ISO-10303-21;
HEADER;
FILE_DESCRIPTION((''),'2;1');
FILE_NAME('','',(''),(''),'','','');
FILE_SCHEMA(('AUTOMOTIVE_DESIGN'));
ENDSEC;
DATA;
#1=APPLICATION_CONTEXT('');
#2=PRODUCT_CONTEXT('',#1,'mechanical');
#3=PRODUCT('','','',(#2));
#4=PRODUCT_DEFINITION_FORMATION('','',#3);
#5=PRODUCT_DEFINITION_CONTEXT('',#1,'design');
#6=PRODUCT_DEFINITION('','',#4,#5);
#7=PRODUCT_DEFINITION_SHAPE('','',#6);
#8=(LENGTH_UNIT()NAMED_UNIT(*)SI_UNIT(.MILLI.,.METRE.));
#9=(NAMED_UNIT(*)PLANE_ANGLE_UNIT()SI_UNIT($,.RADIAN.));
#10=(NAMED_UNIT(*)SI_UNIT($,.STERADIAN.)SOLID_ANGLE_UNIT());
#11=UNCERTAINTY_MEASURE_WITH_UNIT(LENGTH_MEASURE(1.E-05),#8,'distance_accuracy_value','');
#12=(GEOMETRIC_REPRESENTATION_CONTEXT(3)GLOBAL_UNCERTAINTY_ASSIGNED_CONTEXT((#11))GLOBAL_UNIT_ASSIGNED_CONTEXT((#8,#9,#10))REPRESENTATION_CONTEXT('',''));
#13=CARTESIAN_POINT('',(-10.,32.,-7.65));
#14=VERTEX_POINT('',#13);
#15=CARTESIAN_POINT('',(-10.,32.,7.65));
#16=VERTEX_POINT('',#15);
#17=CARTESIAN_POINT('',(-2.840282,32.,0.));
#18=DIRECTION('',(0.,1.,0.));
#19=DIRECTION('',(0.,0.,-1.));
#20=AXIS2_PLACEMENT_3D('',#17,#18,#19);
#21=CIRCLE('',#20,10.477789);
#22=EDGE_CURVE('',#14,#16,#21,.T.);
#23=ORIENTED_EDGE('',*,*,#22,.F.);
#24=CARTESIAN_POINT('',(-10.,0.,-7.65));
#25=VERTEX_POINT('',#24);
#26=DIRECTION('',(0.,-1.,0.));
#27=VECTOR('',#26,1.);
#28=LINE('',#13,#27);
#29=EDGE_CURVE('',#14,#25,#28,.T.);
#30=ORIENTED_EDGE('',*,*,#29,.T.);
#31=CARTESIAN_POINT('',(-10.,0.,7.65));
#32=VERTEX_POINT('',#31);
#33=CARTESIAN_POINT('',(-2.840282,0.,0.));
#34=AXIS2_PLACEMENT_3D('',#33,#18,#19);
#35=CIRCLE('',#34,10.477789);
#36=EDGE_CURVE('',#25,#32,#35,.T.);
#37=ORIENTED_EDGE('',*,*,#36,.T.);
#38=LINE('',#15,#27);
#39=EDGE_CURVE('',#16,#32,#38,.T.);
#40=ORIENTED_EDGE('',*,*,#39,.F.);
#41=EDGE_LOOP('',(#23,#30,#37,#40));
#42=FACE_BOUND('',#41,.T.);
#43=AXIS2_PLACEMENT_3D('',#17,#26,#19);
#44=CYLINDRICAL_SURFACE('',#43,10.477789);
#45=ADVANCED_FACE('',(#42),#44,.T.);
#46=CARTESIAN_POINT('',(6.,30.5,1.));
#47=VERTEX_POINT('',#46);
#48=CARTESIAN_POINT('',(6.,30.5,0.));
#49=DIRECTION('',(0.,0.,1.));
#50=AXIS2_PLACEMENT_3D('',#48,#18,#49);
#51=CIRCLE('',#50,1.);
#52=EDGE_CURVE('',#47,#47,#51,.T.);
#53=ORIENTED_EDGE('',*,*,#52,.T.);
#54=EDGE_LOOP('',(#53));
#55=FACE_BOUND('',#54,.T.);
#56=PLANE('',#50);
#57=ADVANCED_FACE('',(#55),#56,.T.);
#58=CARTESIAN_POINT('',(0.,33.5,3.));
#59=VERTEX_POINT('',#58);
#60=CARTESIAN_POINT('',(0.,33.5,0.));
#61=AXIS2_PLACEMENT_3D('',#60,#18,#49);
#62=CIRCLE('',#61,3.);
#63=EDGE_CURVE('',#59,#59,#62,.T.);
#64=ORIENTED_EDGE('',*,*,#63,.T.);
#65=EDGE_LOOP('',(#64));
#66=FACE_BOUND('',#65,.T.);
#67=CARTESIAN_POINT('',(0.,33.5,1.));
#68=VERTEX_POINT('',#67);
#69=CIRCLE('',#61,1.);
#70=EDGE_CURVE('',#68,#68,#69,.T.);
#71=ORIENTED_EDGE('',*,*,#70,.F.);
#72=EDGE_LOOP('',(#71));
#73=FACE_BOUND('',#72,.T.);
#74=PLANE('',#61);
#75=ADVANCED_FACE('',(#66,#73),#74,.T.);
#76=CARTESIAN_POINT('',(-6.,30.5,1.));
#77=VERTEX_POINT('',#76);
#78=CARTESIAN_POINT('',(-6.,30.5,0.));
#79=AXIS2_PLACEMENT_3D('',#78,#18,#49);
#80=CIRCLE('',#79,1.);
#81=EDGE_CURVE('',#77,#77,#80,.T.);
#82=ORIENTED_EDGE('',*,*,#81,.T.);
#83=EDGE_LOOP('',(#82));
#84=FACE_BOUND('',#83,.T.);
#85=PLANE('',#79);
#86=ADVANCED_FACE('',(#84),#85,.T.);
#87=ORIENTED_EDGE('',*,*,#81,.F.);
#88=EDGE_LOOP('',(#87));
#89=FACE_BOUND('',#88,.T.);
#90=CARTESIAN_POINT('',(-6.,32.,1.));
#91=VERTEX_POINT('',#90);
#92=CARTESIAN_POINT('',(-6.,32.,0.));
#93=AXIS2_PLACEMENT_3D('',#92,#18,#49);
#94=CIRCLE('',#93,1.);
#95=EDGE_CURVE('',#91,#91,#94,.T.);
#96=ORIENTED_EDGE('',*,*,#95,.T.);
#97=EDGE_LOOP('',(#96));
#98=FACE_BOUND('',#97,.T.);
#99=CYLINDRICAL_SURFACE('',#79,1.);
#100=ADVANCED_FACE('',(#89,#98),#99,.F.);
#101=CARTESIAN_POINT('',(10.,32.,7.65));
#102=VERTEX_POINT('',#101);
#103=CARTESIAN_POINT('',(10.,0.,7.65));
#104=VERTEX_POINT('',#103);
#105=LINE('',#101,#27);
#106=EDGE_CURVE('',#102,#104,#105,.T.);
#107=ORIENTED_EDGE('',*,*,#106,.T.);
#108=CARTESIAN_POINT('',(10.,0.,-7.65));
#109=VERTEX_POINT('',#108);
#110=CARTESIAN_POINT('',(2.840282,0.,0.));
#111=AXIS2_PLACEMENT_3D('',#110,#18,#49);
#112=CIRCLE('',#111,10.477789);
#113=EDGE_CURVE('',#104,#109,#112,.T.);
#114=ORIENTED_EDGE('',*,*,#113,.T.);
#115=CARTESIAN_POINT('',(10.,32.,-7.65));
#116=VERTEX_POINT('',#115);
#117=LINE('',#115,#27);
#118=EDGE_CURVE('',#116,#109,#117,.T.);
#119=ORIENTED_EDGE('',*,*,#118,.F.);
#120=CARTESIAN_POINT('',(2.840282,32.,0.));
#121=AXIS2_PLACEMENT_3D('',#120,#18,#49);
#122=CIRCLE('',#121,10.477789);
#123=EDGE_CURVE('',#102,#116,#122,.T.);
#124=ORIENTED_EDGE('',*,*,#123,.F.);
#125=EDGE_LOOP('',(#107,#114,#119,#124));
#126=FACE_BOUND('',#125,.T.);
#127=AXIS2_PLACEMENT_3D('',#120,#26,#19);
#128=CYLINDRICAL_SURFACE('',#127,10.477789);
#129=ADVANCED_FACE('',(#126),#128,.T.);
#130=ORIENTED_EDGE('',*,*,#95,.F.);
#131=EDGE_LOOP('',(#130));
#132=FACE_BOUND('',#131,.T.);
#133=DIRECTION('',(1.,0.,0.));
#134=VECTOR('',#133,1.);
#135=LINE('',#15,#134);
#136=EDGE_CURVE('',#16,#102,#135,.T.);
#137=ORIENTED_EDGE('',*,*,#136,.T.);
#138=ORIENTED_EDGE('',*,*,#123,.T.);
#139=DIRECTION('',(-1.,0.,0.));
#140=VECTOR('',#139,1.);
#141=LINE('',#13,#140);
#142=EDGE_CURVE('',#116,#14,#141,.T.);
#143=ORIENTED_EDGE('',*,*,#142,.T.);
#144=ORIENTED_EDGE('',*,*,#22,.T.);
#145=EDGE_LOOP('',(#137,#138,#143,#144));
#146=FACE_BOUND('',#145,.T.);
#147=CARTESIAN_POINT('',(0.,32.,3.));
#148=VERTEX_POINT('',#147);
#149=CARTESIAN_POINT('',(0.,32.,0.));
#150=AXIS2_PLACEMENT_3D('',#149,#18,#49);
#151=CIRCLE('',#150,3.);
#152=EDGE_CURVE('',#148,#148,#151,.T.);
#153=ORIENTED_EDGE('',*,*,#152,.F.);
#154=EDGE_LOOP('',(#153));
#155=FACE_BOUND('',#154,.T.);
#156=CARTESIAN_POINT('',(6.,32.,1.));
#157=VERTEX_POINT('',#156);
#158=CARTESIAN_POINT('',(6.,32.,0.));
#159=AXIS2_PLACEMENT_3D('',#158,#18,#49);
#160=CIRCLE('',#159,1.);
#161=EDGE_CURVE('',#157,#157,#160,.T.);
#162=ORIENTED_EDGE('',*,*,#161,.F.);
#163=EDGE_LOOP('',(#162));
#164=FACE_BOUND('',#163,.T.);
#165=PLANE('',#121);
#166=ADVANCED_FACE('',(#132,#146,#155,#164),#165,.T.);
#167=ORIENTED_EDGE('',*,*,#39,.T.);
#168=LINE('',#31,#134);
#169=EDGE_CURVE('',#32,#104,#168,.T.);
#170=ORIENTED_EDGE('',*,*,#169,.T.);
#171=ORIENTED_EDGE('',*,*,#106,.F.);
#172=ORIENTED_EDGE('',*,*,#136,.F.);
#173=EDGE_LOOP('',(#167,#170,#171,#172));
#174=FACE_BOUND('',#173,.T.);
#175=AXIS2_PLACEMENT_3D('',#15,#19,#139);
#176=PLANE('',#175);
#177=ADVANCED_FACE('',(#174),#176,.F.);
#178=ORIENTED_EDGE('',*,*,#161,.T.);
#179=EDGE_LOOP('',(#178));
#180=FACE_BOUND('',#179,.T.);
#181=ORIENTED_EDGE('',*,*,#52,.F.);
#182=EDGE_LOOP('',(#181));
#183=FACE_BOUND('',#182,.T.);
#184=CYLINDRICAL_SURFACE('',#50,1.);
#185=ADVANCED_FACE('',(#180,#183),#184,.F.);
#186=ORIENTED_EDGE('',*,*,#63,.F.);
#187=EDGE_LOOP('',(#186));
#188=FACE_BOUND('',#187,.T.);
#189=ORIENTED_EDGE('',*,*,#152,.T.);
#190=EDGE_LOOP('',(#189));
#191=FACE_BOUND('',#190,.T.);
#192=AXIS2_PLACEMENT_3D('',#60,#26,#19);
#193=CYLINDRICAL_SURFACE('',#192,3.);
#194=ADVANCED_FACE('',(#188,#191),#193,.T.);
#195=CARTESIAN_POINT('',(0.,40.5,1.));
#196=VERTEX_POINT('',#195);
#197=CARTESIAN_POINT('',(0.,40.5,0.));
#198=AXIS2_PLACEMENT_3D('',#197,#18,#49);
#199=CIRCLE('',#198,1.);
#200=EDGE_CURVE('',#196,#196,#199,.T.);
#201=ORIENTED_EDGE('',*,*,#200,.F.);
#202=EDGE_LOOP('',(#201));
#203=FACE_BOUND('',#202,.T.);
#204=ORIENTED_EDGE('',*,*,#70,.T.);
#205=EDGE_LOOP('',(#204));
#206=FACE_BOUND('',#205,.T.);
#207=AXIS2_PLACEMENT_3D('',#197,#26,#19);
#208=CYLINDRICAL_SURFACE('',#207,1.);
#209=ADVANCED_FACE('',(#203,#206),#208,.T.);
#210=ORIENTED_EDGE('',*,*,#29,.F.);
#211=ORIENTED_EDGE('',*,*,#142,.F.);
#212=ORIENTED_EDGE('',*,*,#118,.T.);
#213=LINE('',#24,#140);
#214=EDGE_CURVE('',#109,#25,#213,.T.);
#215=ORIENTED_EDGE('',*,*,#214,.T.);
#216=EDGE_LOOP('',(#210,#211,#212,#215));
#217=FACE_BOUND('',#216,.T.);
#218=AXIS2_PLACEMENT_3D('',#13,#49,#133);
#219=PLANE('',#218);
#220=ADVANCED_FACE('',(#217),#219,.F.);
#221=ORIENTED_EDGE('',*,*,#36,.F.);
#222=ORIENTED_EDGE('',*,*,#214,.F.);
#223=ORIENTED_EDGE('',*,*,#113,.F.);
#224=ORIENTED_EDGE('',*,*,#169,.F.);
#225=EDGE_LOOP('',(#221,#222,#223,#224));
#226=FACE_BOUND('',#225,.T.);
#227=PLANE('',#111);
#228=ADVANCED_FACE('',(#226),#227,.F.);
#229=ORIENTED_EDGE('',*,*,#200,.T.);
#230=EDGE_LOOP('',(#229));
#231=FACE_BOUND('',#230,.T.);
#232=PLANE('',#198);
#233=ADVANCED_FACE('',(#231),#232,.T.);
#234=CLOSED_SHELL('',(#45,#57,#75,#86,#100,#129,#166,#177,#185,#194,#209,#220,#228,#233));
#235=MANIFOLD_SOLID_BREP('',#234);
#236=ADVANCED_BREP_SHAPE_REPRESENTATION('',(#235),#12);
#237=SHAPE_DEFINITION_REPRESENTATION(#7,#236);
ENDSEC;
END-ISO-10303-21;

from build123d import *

# Parameters (mm, degrees)
EXTRUDE_1_DEPTH     = 32
SKETCH_2_R          = 3
EXTRUDE_2_DEPTH     = 1.5
SKETCH_3_R          = 1
CUT_EXTRUDE_1_DEPTH = 1.5
SKETCH_4_R          = 1
EXTRUDE_3_DEPTH     = 7


with BuildPart() as part:
    # 草图1 → 凸台-拉伸1 (new body)
    with BuildSketch(Plane(origin=(0, 0, 0), x_dir=(1, 0, 0), z_dir=(0, 1, 0))):
        with BuildLine():
            Line((-10, 7.65), (10, 7.65))
            ThreePointArc((10, 7.65), (13.31807086, 0), (10, -7.65))
            Line((10, -7.65), (-10, -7.65))
            ThreePointArc((-10, -7.65), (-13.31807086, 0), (-10, 7.65))
        make_face()
    extrude(amount=EXTRUDE_1_DEPTH)

    # 草图2 → 凸台-拉伸2 (add)
    with BuildSketch(Plane(origin=(0, 32, 0), x_dir=(1, 0, 0), z_dir=(0, 1, 0))):
        with Locations(Location((0, 0, 0), (0, 0, 270))):
            Circle(SKETCH_2_R)
    extrude(amount=EXTRUDE_2_DEPTH)

    # 草图3 → 切除-拉伸1 (cut)
    with BuildSketch(Plane(origin=(0, 32, 0), x_dir=(1, 0, 0), z_dir=(0, 1, 0))):
        with Locations(Location((-6, 0, 0), (0, 0, 270))):
            Circle(SKETCH_3_R)
        with Locations(Location((6, 0, 0), (0, 0, 270))):
            Circle(SKETCH_3_R)
    extrude(amount=-CUT_EXTRUDE_1_DEPTH, mode=Mode.SUBTRACT)

    # 草图4 → 凸台-拉伸3 (add)
    with BuildSketch(Plane(origin=(0, 33.5, 0), x_dir=(1, 0, 0), z_dir=(0, 1, 0))):
        with Locations(Location((0, 0, 0), (0, 0, 270))):
            Circle(SKETCH_4_R)
    extrude(amount=EXTRUDE_3_DEPTH)


solid = part.part
